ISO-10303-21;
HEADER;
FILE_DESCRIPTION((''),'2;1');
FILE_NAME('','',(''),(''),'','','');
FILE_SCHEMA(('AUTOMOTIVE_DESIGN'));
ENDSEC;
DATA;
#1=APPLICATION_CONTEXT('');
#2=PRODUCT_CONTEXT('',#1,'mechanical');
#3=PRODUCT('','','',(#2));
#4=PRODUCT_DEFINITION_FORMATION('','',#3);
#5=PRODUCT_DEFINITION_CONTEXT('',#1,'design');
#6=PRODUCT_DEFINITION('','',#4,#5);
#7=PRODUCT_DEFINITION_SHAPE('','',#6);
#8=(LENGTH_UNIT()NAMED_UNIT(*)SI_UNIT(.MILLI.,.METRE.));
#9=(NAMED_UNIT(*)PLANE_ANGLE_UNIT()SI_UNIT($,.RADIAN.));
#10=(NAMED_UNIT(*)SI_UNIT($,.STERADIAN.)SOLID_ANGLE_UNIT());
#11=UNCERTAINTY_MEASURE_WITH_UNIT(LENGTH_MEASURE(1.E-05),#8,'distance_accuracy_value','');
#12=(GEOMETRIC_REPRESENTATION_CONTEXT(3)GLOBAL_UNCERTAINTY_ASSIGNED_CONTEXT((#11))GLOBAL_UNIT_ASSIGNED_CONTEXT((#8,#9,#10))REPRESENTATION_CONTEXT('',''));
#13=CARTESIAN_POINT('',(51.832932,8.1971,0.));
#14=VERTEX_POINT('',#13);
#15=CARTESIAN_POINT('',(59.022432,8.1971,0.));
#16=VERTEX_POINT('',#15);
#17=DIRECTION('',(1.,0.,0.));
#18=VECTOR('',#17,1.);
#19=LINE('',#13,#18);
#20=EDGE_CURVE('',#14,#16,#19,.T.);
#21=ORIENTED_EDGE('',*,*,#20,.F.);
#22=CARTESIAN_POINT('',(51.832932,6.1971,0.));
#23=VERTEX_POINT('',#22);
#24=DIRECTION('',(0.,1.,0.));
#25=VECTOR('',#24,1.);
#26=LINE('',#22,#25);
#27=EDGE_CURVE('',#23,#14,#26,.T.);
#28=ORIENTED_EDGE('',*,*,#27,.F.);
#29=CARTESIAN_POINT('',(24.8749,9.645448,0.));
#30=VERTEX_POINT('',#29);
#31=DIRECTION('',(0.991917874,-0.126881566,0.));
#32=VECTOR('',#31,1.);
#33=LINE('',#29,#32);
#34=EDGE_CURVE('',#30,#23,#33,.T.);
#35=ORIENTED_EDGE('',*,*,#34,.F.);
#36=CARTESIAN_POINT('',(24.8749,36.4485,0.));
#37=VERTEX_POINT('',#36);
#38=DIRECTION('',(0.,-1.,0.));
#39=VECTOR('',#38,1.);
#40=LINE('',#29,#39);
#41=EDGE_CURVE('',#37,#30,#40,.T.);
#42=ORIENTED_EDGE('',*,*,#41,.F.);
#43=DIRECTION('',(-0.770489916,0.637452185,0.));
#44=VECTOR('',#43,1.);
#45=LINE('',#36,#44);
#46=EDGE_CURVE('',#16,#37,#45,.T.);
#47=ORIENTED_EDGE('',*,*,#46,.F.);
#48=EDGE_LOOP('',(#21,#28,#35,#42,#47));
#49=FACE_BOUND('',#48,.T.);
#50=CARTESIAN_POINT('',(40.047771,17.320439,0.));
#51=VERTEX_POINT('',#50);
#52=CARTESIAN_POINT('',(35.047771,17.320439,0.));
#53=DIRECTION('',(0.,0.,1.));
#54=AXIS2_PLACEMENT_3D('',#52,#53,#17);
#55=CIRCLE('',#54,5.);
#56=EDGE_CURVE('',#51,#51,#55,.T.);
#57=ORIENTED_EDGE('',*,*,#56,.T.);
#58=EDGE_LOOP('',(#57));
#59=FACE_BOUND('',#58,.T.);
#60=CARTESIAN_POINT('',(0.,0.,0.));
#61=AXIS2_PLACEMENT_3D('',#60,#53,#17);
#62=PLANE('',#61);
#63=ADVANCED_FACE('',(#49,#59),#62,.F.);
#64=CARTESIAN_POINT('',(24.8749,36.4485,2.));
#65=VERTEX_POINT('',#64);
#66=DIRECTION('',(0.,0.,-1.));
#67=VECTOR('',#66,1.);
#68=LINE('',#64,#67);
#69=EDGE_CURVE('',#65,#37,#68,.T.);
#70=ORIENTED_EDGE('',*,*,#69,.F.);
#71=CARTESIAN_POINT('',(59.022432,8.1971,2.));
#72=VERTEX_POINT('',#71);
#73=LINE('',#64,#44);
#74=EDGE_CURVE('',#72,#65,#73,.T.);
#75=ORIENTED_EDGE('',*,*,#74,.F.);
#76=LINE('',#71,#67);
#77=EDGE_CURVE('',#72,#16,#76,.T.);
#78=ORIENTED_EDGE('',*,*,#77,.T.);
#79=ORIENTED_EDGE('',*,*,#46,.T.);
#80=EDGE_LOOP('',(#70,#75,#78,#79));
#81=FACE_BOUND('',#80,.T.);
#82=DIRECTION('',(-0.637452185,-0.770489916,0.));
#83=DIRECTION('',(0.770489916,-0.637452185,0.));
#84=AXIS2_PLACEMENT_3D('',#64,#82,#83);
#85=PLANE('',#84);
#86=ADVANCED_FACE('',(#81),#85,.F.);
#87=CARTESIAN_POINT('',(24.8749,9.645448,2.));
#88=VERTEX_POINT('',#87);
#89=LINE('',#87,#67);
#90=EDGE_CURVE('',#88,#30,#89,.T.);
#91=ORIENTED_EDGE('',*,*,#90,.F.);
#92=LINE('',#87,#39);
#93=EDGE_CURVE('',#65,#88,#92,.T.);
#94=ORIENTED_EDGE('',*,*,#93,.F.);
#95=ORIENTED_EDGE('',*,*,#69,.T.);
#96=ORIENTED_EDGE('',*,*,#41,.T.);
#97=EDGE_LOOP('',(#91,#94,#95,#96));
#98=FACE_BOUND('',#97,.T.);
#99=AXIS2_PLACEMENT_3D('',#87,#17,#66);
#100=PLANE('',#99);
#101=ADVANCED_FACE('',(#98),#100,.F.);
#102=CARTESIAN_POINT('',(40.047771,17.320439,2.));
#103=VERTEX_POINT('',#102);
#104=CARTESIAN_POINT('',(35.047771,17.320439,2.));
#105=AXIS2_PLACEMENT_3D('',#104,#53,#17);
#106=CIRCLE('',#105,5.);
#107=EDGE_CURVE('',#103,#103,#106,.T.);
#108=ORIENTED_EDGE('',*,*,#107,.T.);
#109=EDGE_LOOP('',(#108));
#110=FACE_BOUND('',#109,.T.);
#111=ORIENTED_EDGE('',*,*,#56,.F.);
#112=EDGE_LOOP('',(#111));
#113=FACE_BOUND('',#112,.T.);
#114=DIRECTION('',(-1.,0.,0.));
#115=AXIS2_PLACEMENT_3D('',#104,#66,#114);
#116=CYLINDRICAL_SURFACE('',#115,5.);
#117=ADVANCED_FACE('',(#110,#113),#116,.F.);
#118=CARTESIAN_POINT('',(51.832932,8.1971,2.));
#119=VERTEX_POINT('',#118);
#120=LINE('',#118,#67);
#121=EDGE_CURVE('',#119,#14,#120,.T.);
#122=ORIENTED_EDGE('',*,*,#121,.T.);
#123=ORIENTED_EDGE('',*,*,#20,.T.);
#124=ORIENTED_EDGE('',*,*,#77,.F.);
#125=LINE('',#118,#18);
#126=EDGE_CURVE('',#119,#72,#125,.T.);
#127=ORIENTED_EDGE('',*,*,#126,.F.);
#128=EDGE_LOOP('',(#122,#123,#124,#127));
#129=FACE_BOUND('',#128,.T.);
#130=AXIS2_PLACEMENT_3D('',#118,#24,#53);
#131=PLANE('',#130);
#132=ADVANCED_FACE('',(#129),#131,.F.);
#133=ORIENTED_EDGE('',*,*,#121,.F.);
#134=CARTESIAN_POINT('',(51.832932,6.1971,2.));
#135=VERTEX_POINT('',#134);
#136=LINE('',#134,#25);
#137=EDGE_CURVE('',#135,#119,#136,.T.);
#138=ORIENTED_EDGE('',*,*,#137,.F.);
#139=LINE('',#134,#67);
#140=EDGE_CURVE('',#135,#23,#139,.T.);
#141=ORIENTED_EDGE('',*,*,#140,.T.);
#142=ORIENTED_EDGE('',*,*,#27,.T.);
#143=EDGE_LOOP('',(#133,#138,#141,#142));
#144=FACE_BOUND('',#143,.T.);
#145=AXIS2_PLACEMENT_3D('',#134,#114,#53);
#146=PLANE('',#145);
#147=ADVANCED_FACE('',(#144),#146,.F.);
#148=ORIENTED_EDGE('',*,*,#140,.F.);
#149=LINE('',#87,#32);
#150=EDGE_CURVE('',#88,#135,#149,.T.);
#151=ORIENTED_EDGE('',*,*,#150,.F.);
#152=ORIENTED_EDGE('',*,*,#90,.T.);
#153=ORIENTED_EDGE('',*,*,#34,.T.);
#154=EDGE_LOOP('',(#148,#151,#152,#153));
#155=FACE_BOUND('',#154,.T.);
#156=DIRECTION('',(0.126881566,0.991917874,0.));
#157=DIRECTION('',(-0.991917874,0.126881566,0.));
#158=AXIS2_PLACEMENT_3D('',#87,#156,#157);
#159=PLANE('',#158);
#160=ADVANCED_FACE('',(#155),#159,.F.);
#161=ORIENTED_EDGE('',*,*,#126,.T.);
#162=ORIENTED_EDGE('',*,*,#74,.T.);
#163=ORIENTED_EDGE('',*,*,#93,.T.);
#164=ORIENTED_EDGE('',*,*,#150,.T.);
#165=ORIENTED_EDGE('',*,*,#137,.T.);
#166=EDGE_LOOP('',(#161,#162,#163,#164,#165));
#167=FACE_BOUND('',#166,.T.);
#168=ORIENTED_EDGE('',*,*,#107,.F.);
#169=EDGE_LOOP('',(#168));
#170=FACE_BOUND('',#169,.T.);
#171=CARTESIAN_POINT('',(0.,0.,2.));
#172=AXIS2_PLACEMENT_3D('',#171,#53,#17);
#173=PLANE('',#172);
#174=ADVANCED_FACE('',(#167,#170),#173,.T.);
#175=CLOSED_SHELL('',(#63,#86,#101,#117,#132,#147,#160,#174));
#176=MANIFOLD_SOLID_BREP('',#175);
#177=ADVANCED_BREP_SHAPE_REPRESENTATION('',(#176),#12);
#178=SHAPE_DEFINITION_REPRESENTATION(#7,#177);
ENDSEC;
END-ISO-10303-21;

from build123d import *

# Parameters (mm, degrees)
MODEL_R         = 5
EXTRUDE_1_DEPTH = 2


with BuildPart() as part:
    # Model → 凸台-拉伸1 (new body)
    with BuildSketch(Plane.XY):
        Polygon((24.874900003, 9.645447651), (24.874900003, 36.44850036), (59.022431888, 8.19710036), (51.832931888, 8.19710036), (51.832931888, 6.19710036), align=None)
        with Locations((35.047771048, 17.320438646)):
            Circle(MODEL_R, mode=Mode.SUBTRACT)
    extrude(amount=EXTRUDE_1_DEPTH)


solid = part.part
